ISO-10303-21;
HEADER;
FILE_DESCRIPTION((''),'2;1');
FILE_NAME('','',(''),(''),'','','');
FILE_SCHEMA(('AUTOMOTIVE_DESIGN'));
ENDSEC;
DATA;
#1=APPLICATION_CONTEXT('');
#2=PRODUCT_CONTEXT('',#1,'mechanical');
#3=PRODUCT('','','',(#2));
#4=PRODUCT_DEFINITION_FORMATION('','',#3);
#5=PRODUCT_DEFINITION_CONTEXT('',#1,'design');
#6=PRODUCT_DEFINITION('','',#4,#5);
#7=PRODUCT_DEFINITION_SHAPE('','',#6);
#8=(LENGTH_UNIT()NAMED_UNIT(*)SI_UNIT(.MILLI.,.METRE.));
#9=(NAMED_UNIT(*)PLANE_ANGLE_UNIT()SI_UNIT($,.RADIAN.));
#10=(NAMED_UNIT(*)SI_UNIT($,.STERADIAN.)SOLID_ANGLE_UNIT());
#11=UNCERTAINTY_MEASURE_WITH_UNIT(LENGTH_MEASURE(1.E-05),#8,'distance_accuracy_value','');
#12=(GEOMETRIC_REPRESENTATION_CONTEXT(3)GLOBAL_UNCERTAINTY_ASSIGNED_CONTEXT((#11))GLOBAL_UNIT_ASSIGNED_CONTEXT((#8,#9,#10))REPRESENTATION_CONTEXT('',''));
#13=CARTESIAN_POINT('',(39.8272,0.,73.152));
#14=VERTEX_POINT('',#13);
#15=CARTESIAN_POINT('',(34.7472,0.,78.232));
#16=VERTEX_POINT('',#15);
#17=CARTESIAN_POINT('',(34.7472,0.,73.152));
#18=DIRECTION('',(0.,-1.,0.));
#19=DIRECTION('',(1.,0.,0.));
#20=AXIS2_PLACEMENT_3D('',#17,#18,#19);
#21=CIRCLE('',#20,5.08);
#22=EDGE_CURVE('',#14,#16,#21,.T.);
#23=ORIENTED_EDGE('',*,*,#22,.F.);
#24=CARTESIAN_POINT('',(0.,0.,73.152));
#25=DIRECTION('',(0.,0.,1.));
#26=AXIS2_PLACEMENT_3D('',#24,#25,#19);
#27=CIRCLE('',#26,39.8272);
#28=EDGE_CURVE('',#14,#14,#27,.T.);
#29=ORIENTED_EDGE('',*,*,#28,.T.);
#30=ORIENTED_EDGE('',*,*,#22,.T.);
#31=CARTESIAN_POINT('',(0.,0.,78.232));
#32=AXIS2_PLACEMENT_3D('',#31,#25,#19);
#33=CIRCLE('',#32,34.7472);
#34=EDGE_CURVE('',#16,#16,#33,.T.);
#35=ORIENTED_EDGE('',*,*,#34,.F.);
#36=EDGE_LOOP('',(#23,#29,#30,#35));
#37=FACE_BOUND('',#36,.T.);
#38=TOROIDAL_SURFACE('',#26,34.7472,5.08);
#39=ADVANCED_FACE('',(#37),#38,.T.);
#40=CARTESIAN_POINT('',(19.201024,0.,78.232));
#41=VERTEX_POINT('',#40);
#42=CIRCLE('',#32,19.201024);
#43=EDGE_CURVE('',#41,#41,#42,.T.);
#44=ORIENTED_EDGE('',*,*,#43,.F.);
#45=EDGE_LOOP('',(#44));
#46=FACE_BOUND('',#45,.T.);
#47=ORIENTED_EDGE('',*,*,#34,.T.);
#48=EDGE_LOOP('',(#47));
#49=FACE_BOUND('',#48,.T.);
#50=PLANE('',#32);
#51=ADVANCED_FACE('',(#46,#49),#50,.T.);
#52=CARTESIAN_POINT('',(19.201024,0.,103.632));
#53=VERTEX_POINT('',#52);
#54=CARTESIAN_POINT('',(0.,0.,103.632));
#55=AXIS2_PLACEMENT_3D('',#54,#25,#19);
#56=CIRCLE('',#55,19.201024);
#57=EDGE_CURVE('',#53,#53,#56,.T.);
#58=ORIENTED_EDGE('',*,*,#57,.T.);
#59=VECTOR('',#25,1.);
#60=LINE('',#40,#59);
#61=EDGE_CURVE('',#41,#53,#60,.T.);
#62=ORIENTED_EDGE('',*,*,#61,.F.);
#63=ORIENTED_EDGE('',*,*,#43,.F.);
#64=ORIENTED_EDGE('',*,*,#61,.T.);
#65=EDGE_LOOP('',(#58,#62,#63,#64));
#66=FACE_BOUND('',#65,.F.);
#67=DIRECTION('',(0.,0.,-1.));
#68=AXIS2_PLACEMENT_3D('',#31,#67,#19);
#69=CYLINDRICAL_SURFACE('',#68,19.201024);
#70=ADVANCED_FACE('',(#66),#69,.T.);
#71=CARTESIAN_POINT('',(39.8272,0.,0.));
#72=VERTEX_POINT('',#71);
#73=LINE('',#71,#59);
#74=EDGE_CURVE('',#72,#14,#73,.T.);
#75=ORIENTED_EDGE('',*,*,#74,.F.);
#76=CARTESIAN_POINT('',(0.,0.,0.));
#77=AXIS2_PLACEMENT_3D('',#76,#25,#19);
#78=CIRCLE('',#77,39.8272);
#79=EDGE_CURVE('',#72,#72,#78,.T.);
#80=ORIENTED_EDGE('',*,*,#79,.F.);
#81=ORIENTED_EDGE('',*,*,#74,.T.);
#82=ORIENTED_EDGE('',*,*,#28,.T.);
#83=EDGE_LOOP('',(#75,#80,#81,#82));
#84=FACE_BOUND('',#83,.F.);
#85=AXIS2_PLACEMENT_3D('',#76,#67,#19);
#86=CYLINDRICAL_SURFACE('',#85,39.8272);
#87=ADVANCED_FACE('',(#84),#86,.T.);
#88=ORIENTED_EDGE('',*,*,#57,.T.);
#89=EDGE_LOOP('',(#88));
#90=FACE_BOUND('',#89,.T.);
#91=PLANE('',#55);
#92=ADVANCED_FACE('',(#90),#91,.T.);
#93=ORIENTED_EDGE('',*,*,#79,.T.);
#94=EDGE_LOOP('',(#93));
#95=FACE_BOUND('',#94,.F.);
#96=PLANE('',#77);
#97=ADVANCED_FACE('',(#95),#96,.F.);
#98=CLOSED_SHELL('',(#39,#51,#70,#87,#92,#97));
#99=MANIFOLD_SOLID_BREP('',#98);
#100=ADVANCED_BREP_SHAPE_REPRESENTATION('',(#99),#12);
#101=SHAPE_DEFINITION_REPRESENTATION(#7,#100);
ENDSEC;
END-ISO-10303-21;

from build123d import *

# Parameters (mm, degrees)
F0_R     = 39.8272
F1_DEPTH = 78.232
F2_R     = 5.08
F3_R     = 19.201024
F4_DEPTH = 25.4


with BuildPart() as f1:
    # F0 (on Top) → F1 (new body)
    with BuildSketch(Plane.XY):
        Circle(F0_R)
    extrude(amount=F1_DEPTH)

    # F2
    f2_edges = [f1.edges().sort_by_distance(p)[0] for p in [
        (-39.8272, 0, 78.232),
    ]]
    fillet(f2_edges, radius=F2_R)

    # F3 (on face) → F4 (join)
    with BuildSketch(Plane.XY.offset(78.232)):
        Circle(F3_R)
    extrude(amount=F4_DEPTH)


solid = f1.part
